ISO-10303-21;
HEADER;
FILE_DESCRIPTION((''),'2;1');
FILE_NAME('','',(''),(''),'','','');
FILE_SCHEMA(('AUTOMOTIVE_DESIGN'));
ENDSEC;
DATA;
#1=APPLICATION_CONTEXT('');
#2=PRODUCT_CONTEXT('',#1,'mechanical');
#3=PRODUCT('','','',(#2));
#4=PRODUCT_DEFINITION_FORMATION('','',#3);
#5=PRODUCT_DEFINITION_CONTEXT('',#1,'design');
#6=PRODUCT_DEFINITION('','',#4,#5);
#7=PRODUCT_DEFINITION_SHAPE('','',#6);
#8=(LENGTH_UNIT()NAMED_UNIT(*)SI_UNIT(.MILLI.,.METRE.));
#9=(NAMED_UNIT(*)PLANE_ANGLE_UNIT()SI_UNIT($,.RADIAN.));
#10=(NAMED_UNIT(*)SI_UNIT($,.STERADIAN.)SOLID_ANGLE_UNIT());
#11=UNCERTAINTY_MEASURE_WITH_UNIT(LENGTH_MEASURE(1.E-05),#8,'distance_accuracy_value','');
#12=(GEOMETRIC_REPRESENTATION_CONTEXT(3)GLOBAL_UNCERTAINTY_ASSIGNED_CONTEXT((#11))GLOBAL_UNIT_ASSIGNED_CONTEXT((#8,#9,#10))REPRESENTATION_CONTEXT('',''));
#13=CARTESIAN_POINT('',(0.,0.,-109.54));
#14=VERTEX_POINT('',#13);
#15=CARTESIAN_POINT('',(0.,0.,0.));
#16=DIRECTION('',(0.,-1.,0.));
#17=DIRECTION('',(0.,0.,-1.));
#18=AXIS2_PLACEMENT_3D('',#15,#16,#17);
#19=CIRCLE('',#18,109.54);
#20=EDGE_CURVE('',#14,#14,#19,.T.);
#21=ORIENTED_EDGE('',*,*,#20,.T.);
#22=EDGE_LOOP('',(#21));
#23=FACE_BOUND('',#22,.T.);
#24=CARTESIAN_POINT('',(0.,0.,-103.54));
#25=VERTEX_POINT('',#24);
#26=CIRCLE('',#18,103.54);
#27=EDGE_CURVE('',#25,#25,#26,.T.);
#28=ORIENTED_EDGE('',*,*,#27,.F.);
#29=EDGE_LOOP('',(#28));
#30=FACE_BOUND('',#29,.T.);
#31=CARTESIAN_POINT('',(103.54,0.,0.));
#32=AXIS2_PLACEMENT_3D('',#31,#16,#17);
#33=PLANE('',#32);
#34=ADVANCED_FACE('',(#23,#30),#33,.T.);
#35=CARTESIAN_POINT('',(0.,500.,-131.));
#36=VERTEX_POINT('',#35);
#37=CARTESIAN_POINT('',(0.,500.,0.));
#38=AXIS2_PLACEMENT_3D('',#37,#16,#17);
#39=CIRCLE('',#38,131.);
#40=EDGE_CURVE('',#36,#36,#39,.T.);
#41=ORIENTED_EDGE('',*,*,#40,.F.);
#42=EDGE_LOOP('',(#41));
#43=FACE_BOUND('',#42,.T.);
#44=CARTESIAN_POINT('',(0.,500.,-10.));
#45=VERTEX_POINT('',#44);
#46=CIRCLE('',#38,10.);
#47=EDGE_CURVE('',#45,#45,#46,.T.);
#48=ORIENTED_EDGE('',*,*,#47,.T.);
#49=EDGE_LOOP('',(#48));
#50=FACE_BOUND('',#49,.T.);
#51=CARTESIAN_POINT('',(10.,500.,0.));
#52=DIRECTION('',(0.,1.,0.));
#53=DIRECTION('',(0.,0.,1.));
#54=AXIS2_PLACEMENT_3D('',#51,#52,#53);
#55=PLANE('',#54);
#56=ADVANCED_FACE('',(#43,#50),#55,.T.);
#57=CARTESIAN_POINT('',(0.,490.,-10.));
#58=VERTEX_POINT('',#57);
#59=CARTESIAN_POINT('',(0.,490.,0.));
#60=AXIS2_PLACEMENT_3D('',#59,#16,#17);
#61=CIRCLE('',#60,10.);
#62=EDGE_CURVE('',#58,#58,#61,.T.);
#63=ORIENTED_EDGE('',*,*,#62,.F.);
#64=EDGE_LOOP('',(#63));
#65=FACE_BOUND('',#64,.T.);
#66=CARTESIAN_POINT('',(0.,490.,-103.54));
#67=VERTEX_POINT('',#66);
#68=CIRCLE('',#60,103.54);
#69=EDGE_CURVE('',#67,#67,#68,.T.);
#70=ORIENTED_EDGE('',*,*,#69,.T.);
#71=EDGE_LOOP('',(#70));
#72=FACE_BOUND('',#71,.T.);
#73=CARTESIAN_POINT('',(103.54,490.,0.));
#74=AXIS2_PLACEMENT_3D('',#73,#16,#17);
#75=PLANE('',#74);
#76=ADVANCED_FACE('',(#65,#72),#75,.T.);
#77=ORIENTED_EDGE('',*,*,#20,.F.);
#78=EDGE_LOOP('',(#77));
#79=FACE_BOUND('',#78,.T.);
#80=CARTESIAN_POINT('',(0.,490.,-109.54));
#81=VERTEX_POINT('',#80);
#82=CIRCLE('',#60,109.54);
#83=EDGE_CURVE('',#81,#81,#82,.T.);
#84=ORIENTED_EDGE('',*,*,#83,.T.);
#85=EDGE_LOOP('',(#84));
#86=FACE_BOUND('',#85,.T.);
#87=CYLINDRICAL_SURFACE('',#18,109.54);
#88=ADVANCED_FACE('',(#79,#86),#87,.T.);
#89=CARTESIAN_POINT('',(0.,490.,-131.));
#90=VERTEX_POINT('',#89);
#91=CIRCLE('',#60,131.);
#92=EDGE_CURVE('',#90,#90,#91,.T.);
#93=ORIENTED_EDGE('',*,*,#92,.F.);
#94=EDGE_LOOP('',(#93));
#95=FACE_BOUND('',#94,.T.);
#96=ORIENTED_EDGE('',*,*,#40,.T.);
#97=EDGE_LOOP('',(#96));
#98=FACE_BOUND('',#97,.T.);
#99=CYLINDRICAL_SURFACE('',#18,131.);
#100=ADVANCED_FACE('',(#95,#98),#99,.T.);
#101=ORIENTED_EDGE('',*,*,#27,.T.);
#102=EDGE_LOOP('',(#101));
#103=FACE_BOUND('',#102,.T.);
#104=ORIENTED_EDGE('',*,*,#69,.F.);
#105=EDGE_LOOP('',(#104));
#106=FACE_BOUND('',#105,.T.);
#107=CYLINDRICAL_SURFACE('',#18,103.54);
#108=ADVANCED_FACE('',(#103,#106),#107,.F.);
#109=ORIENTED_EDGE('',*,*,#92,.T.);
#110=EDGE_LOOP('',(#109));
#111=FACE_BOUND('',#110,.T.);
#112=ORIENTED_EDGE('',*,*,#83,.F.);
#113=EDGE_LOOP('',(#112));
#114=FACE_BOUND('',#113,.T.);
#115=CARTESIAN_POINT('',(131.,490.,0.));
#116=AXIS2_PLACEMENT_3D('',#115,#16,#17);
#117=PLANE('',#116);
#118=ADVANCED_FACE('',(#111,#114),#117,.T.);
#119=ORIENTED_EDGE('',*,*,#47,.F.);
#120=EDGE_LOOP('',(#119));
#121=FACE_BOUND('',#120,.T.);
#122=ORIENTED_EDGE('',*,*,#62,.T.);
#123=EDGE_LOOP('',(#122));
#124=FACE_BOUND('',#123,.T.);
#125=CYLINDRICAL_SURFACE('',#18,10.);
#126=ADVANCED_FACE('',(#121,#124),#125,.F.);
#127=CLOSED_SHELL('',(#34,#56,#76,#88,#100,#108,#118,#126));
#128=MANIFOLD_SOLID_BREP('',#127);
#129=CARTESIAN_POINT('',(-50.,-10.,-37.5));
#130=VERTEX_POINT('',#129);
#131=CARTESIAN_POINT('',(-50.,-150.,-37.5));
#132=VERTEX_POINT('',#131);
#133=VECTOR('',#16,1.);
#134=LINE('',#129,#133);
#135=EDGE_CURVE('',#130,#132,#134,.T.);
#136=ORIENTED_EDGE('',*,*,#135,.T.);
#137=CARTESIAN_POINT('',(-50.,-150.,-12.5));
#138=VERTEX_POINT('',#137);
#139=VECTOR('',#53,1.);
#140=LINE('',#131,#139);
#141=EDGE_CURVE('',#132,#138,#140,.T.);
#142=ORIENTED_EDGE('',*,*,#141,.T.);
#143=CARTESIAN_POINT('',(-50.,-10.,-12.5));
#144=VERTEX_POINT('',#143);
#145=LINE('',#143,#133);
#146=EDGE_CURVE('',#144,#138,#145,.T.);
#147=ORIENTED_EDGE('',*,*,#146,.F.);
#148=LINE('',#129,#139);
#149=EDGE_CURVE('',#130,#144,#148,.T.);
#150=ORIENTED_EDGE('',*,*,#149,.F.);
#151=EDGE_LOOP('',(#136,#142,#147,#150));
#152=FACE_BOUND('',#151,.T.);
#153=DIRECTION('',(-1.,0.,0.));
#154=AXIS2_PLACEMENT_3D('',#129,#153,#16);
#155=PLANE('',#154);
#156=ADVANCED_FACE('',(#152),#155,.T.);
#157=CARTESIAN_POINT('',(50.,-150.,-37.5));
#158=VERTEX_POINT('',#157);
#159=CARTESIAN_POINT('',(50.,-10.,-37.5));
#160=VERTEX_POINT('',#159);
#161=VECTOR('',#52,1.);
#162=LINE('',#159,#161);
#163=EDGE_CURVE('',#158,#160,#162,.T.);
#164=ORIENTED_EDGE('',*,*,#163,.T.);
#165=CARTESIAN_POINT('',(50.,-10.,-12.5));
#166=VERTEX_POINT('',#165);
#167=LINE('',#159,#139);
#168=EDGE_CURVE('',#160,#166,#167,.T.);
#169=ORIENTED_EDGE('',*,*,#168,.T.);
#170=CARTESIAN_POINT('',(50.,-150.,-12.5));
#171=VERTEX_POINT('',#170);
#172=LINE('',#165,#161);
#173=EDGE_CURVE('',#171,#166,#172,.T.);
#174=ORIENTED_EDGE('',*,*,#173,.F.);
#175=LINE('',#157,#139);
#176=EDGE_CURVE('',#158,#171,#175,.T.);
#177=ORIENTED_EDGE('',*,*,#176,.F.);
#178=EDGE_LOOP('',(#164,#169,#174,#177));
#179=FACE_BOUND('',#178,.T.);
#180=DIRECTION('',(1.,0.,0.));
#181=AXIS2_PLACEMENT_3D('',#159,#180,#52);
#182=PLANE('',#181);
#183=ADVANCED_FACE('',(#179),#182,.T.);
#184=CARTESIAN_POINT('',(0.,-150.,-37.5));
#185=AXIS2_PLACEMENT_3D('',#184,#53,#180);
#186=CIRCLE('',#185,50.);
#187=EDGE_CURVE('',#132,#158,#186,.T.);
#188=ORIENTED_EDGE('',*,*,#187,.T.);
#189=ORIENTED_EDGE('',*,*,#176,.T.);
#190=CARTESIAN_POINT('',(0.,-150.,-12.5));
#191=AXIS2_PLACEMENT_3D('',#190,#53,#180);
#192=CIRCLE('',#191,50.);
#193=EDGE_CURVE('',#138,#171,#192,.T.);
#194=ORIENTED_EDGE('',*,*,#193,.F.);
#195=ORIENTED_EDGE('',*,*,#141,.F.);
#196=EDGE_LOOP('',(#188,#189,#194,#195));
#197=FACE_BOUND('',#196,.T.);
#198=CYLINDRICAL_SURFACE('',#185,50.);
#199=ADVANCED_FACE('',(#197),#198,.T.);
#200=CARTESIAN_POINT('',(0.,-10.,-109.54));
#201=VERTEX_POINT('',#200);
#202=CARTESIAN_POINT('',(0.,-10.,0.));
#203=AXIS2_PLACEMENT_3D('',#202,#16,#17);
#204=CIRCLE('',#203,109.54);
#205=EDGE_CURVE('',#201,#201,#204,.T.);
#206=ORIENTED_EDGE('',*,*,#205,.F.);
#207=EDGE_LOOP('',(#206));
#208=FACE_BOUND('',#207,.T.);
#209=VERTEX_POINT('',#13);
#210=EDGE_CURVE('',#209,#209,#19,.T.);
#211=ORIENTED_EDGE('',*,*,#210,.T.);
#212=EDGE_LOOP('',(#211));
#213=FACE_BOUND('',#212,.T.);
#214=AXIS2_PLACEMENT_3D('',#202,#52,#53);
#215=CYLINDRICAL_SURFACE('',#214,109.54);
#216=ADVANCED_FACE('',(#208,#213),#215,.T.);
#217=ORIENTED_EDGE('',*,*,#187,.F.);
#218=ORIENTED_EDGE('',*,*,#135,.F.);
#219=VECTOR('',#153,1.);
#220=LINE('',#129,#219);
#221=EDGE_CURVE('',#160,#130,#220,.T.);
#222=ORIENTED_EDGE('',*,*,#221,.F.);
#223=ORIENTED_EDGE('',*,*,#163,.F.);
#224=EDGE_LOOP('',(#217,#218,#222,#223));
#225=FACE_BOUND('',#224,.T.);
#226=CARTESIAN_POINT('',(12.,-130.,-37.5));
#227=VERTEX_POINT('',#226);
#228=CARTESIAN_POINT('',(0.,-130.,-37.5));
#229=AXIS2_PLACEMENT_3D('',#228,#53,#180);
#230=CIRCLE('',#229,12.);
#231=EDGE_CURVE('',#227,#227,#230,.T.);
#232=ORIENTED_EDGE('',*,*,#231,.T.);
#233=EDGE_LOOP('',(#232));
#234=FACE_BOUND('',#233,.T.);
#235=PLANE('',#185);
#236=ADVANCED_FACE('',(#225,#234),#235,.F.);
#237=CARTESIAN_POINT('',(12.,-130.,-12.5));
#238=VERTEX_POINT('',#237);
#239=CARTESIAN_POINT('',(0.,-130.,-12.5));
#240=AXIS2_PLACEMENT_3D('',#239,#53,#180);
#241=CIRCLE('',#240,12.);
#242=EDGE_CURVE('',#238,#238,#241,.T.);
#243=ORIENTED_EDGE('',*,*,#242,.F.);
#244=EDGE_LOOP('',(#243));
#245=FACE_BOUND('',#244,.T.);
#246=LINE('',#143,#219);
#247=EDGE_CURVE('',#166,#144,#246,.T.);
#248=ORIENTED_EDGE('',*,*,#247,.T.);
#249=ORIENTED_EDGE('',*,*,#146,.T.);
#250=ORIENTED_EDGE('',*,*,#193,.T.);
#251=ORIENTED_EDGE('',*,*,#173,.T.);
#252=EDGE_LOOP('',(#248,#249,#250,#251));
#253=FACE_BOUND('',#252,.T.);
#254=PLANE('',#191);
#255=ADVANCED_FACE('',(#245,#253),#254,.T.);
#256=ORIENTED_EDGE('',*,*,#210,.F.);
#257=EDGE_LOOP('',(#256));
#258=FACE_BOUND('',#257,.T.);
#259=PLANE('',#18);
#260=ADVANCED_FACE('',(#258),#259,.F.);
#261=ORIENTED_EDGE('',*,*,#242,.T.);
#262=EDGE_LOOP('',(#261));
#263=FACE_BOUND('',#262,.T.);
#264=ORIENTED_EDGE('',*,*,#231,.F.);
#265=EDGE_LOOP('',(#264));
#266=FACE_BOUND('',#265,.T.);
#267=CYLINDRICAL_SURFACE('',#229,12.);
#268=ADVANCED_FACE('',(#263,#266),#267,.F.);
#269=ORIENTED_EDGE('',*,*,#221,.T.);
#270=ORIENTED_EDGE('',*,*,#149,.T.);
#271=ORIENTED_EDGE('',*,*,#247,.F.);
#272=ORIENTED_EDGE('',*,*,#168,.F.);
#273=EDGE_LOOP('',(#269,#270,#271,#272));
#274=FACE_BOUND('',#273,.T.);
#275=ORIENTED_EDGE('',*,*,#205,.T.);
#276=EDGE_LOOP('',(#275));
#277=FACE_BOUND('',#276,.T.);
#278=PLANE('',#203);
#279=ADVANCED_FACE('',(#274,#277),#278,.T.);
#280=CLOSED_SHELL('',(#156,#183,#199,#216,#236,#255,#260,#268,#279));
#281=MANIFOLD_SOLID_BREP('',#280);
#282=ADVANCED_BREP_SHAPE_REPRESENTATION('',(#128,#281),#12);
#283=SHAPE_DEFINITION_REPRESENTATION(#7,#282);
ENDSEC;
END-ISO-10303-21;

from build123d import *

# Parameters (mm, degrees)
ESBO_O3_R                = 109.54
RESSALTO_EXTRUS_O1_DEPTH = 10
RESSALTO_EXTRUS_O2_START = -12.5
ESBO_O4_R                = 12
RESSALTO_EXTRUS_O2_DEPTH = 25


with BuildPart() as part:
    # Esboço1 → Revolução1 (revolve)
    with BuildSketch(Plane.XY):
        Polygon((10, 500), (131, 500), (131, 490), (109.54, 490), (109.54, 0), (103.54, 0), (103.54, 490), (10, 490), align=None)
    revolve(axis=Axis((0, 0, 0), (0, 1, 0)))


with BuildPart() as body_2:
    # Esboço3 → Ressalto-extrusão1 (new body)
    with BuildSketch(Plane.XZ):
        Circle(ESBO_O3_R)
    extrude(amount=RESSALTO_EXTRUS_O1_DEPTH)

    # Esboço4 → Ressalto-extrusão2 (add)
    with BuildSketch(Plane.XY.offset(RESSALTO_EXTRUS_O2_START)):
        with BuildLine():
            Line((-50, -10), (-50, -150))
            ThreePointArc((-50, -150), (0, -200), (50, -150))
            Line((50, -150), (50, -10))
            Line((50, -10), (-50, -10))
        make_face()
        with Locations((0, -130)):
            Circle(ESBO_O4_R, mode=Mode.SUBTRACT)
    extrude(amount=-RESSALTO_EXTRUS_O2_DEPTH)


solid = Compound([part.part, body_2.part])
